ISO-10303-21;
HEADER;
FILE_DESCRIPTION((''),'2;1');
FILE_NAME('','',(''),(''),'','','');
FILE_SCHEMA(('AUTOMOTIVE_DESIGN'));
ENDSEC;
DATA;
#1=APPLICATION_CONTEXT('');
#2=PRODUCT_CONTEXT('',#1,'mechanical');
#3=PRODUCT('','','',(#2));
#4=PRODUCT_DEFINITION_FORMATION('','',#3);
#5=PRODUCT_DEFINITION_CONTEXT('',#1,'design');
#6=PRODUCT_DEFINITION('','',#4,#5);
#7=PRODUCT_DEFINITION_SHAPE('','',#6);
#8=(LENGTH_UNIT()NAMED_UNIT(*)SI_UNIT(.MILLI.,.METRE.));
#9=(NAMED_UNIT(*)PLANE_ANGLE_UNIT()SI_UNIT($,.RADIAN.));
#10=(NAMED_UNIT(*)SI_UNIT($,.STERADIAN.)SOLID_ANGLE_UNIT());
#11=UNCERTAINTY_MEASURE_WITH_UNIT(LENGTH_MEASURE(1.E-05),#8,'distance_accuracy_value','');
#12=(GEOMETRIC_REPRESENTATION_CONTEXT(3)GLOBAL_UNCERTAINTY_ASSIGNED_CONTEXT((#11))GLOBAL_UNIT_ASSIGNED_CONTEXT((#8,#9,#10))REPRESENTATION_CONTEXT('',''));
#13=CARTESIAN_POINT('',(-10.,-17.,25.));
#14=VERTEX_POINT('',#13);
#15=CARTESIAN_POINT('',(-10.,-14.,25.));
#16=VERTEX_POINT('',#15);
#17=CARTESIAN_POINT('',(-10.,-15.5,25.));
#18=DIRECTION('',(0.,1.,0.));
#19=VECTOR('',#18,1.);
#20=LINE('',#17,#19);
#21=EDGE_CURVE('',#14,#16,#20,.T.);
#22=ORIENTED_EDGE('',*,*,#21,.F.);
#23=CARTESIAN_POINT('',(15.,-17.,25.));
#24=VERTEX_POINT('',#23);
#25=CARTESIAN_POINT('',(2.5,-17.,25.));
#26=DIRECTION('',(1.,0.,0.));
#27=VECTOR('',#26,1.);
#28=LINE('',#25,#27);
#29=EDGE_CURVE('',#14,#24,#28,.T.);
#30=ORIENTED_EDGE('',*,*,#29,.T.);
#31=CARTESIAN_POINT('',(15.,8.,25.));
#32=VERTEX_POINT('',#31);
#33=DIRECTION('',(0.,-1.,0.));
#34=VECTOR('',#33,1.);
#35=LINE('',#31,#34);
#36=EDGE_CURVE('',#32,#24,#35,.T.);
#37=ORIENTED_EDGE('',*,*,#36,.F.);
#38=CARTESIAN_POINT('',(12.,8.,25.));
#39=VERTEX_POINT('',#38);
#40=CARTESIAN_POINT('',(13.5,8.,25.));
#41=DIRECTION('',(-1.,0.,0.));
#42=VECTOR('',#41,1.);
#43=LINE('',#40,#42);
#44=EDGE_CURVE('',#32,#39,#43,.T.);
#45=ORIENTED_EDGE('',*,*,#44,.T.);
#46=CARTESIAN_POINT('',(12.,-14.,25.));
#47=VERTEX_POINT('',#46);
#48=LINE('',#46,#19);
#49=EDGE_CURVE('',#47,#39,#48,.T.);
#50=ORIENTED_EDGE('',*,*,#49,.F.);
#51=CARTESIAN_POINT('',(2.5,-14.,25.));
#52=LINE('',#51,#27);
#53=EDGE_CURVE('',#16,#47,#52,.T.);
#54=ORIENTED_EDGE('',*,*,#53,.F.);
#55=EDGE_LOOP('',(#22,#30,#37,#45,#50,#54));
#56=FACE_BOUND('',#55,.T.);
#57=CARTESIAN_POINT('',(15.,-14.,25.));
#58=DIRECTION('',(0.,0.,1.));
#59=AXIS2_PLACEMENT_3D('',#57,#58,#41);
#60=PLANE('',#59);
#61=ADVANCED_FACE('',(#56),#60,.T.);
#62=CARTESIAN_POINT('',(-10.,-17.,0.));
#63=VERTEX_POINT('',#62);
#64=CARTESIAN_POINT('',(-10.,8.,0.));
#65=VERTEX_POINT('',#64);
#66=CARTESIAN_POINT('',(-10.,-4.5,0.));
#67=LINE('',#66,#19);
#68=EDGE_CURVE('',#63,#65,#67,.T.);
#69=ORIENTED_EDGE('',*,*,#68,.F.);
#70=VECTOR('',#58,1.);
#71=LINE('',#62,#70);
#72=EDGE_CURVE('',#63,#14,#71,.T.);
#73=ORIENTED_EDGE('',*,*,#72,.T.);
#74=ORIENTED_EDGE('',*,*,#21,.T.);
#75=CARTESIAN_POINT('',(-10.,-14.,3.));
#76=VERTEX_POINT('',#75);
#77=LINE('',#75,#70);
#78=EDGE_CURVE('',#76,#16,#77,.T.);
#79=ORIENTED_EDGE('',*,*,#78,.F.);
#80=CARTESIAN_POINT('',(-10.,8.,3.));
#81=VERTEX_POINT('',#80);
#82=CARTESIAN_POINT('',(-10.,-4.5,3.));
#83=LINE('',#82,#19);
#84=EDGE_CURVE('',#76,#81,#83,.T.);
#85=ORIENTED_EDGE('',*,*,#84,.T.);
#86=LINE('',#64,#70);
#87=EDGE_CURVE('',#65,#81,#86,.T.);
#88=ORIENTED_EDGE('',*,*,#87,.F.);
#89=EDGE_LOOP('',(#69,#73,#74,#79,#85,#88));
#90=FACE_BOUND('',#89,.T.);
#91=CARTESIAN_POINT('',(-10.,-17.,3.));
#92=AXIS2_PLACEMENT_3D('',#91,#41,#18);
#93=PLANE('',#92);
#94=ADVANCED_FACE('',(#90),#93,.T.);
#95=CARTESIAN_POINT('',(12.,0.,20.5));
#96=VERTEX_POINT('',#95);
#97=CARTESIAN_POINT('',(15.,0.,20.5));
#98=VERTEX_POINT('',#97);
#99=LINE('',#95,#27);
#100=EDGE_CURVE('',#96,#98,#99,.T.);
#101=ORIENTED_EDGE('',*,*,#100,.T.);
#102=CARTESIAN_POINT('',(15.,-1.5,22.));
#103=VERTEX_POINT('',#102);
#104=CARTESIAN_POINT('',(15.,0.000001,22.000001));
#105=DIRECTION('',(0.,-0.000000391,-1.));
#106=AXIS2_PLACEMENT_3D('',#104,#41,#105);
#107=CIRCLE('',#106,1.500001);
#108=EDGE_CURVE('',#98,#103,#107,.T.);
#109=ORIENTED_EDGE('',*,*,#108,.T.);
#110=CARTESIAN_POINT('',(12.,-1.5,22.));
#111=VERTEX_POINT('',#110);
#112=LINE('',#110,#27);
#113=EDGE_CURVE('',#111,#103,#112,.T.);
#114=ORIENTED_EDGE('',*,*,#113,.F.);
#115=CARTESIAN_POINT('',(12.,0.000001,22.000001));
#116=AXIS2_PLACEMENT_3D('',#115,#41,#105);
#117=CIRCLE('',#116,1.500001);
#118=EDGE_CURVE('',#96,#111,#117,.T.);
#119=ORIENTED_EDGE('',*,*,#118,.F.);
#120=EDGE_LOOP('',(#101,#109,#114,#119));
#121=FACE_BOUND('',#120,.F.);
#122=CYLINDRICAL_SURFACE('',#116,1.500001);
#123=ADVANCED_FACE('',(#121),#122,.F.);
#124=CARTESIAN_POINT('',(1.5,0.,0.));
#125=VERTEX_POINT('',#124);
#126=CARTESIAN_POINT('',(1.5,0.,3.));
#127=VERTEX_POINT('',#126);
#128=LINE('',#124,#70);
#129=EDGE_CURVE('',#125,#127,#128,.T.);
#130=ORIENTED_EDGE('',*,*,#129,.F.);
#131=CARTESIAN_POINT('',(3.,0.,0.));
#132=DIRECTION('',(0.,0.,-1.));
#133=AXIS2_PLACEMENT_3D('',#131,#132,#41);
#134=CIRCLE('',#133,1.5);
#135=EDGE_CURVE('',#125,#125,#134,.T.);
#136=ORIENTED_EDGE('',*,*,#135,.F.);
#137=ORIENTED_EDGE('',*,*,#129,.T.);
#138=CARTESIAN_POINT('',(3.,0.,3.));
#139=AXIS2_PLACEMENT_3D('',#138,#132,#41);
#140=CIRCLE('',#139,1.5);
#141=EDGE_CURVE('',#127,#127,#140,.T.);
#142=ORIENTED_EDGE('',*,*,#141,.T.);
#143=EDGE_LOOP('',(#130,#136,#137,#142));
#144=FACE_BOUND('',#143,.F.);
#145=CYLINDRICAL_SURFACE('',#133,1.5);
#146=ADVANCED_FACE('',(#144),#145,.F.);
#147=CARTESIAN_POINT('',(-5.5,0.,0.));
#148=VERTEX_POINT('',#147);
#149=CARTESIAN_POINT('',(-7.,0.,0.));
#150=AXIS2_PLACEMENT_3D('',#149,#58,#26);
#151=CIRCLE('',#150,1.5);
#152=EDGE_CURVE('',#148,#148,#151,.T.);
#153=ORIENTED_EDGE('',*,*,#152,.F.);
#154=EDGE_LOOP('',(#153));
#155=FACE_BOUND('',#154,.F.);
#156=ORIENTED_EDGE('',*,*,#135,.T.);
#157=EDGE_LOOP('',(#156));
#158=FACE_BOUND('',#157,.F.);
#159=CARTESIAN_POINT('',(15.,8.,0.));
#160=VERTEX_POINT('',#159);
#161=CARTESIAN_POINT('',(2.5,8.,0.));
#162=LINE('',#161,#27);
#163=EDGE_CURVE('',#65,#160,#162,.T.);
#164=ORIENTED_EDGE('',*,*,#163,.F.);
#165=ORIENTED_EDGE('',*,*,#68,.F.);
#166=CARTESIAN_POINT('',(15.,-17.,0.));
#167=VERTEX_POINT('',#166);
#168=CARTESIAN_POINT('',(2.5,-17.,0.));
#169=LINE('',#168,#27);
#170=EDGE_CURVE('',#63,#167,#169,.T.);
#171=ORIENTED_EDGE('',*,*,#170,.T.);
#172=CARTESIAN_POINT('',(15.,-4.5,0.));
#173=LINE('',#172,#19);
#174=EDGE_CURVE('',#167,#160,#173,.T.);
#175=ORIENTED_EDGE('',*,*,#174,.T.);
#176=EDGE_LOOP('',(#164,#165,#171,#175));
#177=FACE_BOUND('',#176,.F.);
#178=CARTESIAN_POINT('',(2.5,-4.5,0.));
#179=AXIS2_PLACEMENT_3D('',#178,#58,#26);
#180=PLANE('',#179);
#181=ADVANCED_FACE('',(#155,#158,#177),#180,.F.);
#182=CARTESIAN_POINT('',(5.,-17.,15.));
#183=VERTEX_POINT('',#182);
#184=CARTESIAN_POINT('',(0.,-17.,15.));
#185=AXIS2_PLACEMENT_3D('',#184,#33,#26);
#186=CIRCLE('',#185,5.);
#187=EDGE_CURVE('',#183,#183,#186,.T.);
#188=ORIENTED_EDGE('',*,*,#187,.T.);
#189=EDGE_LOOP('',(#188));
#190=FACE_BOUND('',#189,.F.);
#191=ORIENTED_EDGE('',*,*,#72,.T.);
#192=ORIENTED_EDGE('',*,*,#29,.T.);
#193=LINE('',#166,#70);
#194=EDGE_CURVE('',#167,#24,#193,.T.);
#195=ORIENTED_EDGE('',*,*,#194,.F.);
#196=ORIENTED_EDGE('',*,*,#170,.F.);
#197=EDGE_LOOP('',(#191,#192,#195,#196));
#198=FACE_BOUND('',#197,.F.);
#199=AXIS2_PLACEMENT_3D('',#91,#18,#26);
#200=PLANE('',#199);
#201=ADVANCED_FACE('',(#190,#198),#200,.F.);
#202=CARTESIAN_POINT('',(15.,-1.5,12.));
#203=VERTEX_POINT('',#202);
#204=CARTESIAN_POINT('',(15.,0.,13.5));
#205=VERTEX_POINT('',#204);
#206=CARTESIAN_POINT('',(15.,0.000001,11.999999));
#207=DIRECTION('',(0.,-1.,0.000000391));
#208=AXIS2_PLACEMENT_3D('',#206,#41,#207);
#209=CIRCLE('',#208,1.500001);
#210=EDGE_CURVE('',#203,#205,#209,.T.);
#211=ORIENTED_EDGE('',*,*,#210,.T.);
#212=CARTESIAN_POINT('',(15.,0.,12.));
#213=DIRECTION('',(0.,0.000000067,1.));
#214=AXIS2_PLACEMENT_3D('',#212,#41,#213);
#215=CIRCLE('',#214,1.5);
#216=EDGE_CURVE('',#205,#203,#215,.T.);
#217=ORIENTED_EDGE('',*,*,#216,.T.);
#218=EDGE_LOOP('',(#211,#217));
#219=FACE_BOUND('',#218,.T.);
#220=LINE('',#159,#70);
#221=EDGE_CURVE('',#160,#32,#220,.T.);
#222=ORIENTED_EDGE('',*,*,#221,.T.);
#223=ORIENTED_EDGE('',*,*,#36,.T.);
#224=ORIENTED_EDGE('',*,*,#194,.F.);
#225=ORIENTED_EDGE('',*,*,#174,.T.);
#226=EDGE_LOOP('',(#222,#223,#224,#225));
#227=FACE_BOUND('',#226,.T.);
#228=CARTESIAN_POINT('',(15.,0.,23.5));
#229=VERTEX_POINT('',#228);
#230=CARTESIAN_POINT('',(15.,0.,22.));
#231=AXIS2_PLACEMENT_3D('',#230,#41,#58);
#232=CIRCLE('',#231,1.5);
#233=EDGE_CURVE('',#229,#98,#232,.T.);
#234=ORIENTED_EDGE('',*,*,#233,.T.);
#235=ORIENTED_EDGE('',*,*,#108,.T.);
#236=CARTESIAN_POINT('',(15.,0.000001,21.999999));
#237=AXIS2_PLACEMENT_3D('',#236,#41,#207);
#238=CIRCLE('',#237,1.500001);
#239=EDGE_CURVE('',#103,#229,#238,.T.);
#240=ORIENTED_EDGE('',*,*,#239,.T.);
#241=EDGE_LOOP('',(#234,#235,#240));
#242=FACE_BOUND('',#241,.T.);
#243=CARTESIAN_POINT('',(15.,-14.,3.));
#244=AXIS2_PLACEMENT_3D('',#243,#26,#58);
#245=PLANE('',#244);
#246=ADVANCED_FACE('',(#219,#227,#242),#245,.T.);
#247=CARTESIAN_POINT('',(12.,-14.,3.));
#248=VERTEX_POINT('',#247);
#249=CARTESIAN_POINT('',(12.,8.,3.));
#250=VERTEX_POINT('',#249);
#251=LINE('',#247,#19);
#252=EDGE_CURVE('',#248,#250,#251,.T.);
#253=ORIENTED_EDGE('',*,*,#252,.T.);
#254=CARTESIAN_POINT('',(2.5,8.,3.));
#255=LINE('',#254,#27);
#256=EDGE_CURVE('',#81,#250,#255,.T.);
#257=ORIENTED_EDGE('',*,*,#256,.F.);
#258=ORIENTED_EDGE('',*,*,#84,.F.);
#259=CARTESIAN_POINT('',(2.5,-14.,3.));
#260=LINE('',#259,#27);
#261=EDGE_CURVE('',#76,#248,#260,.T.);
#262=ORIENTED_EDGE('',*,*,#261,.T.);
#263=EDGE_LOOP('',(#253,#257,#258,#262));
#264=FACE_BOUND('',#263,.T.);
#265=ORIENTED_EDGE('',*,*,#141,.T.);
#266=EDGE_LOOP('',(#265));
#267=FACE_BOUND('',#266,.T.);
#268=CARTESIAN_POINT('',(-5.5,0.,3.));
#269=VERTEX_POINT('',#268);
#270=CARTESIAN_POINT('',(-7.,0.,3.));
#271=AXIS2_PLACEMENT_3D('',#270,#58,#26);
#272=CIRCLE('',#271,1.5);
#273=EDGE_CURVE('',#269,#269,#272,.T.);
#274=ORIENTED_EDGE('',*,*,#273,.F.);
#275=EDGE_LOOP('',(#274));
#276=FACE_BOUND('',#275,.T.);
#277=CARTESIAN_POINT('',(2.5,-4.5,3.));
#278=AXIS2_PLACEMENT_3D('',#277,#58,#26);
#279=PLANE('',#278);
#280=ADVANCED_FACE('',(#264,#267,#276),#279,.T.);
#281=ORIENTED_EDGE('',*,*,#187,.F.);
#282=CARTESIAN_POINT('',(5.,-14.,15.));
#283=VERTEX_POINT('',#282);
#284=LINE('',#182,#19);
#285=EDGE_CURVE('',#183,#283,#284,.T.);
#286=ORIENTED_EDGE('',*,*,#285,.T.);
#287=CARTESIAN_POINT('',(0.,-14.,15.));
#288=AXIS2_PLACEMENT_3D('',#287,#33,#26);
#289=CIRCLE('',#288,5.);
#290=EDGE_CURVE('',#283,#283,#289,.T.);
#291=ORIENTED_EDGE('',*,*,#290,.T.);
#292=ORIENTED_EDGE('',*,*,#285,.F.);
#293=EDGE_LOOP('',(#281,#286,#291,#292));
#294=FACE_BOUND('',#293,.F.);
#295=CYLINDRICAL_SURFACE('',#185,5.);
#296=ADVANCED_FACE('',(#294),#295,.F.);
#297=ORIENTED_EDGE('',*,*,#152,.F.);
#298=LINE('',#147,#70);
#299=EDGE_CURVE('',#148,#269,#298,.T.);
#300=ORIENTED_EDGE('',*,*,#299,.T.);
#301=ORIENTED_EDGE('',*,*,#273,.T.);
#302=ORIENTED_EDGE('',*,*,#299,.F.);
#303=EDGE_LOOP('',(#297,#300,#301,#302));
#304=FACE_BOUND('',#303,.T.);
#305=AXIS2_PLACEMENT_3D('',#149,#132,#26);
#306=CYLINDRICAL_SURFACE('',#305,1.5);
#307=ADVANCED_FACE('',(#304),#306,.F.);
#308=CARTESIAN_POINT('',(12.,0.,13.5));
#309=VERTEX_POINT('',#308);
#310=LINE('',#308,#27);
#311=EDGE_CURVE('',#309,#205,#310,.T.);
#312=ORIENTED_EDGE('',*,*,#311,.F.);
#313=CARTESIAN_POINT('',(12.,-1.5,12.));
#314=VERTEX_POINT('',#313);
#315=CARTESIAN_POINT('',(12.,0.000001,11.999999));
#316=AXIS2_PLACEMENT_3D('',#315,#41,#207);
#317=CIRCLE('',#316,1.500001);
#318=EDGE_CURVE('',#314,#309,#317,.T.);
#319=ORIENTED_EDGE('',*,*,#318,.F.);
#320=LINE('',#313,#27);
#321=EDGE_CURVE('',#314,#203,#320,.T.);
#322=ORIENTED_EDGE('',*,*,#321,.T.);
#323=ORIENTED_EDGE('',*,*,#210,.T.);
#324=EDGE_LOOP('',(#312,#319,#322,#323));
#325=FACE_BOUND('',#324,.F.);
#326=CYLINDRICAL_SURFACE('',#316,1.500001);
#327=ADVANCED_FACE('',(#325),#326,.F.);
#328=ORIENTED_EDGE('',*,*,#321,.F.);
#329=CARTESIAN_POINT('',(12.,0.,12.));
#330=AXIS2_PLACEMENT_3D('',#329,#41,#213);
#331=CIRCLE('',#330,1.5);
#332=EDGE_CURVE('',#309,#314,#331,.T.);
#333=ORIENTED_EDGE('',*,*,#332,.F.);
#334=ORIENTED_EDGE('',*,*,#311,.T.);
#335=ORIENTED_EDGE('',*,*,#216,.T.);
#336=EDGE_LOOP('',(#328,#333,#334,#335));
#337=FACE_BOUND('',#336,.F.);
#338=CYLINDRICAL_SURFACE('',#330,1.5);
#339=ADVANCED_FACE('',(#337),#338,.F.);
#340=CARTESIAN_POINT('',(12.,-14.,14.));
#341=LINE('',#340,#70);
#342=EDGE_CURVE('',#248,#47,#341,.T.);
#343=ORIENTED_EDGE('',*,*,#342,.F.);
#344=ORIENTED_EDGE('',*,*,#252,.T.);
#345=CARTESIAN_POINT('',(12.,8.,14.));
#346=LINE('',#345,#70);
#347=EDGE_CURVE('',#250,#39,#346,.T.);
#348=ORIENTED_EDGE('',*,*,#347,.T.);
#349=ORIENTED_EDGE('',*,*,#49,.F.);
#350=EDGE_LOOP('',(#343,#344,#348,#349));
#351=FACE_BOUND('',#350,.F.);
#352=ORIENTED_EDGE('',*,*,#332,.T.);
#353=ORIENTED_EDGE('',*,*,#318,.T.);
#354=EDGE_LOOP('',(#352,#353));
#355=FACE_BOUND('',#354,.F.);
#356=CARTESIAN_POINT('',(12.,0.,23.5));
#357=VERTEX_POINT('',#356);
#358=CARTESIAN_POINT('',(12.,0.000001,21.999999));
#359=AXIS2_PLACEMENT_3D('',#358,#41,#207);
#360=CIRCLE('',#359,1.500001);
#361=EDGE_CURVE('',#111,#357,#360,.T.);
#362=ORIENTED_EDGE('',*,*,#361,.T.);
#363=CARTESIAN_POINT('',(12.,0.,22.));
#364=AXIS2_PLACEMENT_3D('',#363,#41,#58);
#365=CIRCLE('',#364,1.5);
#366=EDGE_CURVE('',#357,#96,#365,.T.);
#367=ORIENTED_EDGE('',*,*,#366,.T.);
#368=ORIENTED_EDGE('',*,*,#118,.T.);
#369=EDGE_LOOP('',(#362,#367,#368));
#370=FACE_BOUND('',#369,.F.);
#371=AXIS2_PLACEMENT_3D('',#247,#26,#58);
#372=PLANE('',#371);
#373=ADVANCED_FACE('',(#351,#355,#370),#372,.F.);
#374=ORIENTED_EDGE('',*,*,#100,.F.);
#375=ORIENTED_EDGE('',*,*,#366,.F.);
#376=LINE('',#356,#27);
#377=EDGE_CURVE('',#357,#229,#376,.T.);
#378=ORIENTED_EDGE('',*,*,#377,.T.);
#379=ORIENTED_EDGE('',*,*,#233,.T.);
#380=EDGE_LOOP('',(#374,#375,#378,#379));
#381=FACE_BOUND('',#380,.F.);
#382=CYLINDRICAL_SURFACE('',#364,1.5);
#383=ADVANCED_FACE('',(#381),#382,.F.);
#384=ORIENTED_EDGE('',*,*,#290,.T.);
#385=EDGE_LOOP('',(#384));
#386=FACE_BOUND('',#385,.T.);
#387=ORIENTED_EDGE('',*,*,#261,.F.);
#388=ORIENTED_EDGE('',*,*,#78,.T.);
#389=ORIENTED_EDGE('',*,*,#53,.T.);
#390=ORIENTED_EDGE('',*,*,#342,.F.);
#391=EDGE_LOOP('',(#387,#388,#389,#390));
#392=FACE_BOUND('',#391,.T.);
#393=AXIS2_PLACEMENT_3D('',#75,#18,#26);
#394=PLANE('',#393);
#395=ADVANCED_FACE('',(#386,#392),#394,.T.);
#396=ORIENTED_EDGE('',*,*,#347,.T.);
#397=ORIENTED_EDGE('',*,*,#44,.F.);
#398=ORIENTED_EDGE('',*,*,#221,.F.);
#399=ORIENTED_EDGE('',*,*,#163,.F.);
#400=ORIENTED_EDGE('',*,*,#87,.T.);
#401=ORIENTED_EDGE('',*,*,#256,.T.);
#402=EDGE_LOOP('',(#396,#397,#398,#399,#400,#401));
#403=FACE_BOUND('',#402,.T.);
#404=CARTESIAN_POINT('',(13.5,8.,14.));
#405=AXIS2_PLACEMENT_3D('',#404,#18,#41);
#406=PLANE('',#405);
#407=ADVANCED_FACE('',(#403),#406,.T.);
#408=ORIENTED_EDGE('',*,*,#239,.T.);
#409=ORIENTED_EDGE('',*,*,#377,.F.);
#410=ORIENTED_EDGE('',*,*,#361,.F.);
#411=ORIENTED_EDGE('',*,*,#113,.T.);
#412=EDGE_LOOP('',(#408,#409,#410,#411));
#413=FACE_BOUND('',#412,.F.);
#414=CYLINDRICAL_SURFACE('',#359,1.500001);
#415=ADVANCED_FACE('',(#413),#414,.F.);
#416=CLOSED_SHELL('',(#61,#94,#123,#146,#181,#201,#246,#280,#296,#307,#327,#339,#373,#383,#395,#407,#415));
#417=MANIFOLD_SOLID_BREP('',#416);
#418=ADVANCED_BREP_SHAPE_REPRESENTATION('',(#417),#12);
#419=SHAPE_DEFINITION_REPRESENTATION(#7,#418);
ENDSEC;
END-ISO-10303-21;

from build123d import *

# Parameters (mm, degrees)
F0_W      = 25
F0_H      = 25
F0_R      = 1.5
F1_DEPTH  = 3
F2_DEPTH  = 3
F3_W      = 25
F3_H      = 3
F4_DEPTH  = 22
F5_W      = 3
F5_H      = 22
F6_DEPTH  = 22
F8_DEPTH  = 25
F9_R      = 5
F10_DEPTH = 25


with BuildPart() as f1:
    # F0 (on Top) → F1 (new body)
    with BuildSketch(Plane.XY):
        with Locations((2.5, -4.5)):
            Rectangle(F0_W, F0_H)
        with Locations((-7, 0)):
            Circle(F0_R, mode=Mode.SUBTRACT)
        with BuildLine():
            ThreePointArc((4.5, 0), (3, -1.5), (1.5, 0))
            ThreePointArc((1.5, 0), (3, 1.5), (4.5, 0))
        make_face(mode=Mode.SUBTRACT)
    extrude(amount=F1_DEPTH)

    # F0 (on Top) → F2 (join)
    with BuildSketch(Plane.XY):
        with Locations((2.5, -4.5)):
            Rectangle(F0_W, F0_H)
        with Locations((-7, 0)):
            Circle(F0_R, mode=Mode.SUBTRACT)
        with BuildLine():
            ThreePointArc((4.5, 0), (3, -1.5), (1.5, 0))
            ThreePointArc((1.5, 0), (3, 1.5), (4.5, 0))
        make_face(mode=Mode.SUBTRACT)
    extrude(amount=F2_DEPTH)

    # F3 (on face) → F4 (join)
    with BuildSketch(Plane.XY.offset(3)):
        with Locations((2.5, -15.5)):
            Rectangle(F3_W, F3_H)
    extrude(amount=F4_DEPTH)

    # F5 (on face) → F6 (join)
    with BuildSketch(Plane(origin=(0, -14, 0), x_dir=(-1, 0, 0), z_dir=(0, 1, 0))):
        with Locations((-13.5, 14)):
            Rectangle(F5_W, F5_H)
    extrude(amount=F6_DEPTH)

    # F7 (on face) → F8 (cut)
    with BuildSketch(Plane(origin=(12, 0, 0), x_dir=(0, -1, 0), z_dir=(-1, 0, 0))):
        with BuildLine():
            ThreePointArc((1.5, 12), (1.06066, 13.06066), (0, 13.5))
            ThreePointArc((0, 13.5), (-1.06066, 10.93934), (1.5, 12))
        make_face()
        with BuildLine():
            Line((0, 22), (0, 23.5))
            ThreePointArc((0, 23.5), (-1.5, 22), (0, 20.5))
            Line((0, 20.5), (0, 22))
        make_face()
        with BuildLine():
            ThreePointArc((0, 20.5), (1.06066, 20.93934), (1.5, 22))
            ThreePointArc((1.5, 22), (1.06066, 23.06066), (0, 23.5))
            Line((0, 23.5), (0, 22))
            Line((0, 22), (0, 20.5))
        make_face()
    extrude(amount=-F8_DEPTH, mode=Mode.SUBTRACT)

    # F9 (on face) → F10 (cut)
    with BuildSketch(Plane.XZ.offset(17)):
        with Locations((0, 15)):
            Circle(F9_R)
    extrude(amount=-F10_DEPTH, mode=Mode.SUBTRACT)


solid = f1.part
